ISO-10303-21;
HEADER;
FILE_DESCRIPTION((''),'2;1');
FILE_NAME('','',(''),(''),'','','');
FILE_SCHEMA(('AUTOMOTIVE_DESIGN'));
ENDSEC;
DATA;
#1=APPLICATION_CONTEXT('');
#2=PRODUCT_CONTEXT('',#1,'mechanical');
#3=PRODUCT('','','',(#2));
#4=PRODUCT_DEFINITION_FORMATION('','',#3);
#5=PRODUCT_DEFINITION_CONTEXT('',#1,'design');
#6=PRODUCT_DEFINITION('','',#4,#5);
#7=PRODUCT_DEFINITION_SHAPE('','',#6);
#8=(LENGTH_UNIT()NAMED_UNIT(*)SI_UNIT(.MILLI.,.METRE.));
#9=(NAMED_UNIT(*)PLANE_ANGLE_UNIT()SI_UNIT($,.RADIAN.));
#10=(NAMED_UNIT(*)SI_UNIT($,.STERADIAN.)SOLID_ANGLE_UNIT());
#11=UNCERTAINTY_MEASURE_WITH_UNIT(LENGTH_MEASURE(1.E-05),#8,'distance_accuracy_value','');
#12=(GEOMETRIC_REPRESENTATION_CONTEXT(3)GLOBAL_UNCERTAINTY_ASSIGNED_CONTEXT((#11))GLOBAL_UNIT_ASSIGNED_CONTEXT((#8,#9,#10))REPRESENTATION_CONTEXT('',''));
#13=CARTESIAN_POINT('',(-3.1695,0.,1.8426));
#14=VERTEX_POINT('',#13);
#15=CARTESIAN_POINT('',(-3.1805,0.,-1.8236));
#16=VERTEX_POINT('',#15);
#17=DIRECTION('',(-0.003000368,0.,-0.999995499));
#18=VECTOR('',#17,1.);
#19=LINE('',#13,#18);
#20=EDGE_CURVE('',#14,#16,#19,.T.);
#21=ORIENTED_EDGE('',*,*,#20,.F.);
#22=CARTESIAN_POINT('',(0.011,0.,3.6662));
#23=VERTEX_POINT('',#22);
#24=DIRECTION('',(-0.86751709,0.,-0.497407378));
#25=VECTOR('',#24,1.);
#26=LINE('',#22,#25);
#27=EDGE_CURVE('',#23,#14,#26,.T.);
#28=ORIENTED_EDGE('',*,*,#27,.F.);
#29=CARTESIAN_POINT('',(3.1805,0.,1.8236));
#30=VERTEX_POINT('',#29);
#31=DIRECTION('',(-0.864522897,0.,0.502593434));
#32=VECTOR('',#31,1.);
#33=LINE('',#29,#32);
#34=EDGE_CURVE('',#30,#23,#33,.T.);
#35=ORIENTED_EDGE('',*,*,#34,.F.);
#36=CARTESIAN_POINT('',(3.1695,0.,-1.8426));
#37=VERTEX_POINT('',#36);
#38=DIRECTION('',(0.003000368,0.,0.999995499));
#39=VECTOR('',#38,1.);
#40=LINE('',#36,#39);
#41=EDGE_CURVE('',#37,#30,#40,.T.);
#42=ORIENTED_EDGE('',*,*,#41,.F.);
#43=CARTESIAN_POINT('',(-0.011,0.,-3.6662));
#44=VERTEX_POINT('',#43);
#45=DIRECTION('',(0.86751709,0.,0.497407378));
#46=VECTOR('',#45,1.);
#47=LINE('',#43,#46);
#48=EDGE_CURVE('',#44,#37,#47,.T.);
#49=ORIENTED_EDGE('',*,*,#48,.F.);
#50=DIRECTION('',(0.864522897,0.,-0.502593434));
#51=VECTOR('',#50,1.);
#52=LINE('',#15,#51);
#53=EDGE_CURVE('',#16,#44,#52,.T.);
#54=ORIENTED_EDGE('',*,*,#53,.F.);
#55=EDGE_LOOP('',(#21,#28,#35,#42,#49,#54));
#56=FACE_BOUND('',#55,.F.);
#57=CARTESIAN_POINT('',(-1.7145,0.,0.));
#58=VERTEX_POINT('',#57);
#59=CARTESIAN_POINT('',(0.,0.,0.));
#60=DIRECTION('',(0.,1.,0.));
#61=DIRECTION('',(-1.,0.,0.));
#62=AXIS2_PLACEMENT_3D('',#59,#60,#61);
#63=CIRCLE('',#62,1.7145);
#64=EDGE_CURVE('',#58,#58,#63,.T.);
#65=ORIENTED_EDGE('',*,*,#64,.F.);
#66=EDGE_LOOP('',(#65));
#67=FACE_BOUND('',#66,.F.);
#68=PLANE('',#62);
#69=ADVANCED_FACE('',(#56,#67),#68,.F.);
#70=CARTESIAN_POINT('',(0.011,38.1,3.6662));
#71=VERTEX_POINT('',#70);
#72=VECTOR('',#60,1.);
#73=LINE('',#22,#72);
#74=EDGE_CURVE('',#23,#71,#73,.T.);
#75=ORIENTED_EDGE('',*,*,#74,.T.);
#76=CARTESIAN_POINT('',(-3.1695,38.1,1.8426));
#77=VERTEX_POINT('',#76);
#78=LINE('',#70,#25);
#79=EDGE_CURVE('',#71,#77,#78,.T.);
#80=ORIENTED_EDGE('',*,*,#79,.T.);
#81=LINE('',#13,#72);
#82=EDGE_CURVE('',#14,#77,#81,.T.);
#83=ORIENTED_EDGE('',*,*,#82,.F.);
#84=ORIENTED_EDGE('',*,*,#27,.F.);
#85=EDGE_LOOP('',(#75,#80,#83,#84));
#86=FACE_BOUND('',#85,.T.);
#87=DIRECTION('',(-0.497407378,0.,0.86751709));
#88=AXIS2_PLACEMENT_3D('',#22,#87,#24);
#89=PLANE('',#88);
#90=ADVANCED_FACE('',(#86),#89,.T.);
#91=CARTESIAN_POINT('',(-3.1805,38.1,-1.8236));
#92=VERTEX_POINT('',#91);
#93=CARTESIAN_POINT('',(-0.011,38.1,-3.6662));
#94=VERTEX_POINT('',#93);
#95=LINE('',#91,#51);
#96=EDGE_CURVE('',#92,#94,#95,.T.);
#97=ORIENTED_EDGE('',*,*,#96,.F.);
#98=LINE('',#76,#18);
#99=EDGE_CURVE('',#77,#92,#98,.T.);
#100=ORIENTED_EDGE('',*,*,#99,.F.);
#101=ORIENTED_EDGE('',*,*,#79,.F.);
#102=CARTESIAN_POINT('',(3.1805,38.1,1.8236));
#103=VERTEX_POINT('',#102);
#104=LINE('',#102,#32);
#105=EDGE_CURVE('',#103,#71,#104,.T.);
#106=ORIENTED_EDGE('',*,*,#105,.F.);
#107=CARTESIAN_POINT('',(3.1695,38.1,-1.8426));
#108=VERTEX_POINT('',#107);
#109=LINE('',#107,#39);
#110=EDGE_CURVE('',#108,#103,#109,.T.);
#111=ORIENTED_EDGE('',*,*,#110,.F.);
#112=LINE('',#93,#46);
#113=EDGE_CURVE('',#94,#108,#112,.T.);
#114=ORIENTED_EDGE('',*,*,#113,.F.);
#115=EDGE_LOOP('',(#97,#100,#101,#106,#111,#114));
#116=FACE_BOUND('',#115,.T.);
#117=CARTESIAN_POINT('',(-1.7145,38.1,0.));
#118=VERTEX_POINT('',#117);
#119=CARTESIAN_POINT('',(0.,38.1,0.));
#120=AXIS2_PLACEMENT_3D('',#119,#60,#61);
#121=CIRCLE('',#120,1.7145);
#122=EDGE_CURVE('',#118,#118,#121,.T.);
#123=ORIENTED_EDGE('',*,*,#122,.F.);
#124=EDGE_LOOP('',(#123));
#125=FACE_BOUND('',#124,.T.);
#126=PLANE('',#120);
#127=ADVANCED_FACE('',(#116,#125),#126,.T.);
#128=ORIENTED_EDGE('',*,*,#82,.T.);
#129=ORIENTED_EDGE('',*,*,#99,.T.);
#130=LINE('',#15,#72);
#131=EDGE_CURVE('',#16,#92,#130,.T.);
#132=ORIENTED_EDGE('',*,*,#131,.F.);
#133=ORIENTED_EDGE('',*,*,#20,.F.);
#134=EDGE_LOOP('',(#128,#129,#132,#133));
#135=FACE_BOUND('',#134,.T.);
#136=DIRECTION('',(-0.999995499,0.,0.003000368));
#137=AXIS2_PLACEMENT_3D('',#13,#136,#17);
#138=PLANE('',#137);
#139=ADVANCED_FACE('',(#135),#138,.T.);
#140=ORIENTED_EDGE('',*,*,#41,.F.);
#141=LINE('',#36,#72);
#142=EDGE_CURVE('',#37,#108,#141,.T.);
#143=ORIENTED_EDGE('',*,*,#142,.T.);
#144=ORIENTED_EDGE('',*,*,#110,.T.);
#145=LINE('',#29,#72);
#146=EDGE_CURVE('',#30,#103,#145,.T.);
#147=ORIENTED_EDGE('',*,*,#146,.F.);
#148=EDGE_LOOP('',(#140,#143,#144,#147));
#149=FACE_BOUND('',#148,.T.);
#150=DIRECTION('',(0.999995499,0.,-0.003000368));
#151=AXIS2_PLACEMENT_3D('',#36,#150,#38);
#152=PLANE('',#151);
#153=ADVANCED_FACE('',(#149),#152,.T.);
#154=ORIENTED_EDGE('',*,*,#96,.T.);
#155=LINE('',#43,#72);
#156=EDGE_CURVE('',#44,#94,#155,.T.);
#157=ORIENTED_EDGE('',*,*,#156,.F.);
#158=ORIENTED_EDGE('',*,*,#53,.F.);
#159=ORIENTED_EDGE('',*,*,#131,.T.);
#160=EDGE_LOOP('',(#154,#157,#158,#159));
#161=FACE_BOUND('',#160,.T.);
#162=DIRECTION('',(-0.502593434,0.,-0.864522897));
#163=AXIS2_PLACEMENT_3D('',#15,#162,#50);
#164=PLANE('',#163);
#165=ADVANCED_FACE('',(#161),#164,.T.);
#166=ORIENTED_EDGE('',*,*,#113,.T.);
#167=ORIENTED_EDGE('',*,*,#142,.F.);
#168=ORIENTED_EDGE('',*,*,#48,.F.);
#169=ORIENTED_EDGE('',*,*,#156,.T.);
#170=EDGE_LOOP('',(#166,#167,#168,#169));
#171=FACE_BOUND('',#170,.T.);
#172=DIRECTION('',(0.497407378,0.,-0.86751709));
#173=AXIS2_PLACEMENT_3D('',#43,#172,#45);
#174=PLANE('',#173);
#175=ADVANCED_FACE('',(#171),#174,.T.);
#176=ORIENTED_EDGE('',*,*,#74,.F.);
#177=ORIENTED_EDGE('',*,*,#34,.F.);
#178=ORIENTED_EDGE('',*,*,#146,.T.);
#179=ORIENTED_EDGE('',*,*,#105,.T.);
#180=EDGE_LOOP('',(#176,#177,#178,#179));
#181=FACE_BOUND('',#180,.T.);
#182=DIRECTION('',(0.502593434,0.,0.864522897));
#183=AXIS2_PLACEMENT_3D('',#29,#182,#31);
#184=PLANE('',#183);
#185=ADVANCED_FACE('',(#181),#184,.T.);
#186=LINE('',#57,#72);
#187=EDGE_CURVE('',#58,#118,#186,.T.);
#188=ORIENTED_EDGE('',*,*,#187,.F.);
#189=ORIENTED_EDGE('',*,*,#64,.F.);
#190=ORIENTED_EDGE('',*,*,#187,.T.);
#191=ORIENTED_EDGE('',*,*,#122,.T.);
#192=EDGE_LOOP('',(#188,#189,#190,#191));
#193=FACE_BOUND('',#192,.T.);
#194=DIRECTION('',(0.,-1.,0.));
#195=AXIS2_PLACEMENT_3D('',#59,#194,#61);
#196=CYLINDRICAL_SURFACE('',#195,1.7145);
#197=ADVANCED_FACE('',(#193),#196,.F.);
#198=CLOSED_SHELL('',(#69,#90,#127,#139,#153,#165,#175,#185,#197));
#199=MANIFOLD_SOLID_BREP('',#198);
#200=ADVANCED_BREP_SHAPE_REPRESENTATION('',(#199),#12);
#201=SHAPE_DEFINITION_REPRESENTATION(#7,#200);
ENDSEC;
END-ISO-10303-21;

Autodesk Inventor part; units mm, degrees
ref_plane "YZ Plane" through (0, 0, 0) normal (1, 0, 0) x (0, 1, 0)
ref_plane "XZ Plane" through (0, 0, 0) normal (0, 1, 0) x (-1, 0, 0)
ref_plane "XY Plane" through (0, 0, 0) normal (0, 0, 1) x (1, 0, 0)
sketch "Sketch1" plane through (0, 0, 0) normal (0, 1, 0) x (-1, 0, 0)
  line L0 (3.1805, -1.8236) -> (0.011, -3.6662)
  line L1 (0.011, -3.6662) -> (-3.1695, -1.8426)
  line L2 (-3.1695, -1.8426) -> (-3.1805, 1.8236)
  line L3 (-3.1805, 1.8236) -> (-0.011, 3.6662)
  line L4 (-0.011, 3.6662) -> (3.1695, 1.8426)
  line L5 (3.1695, 1.8426) -> (3.1805, -1.8236)
  circle A0 centre (0, 0) radius 1.7145
  dimension "d0" = 6.35
  dimension "d1" = 3.429
extrude "Extrusion1" add sketch "Sketch1" along normal blind 38.1
